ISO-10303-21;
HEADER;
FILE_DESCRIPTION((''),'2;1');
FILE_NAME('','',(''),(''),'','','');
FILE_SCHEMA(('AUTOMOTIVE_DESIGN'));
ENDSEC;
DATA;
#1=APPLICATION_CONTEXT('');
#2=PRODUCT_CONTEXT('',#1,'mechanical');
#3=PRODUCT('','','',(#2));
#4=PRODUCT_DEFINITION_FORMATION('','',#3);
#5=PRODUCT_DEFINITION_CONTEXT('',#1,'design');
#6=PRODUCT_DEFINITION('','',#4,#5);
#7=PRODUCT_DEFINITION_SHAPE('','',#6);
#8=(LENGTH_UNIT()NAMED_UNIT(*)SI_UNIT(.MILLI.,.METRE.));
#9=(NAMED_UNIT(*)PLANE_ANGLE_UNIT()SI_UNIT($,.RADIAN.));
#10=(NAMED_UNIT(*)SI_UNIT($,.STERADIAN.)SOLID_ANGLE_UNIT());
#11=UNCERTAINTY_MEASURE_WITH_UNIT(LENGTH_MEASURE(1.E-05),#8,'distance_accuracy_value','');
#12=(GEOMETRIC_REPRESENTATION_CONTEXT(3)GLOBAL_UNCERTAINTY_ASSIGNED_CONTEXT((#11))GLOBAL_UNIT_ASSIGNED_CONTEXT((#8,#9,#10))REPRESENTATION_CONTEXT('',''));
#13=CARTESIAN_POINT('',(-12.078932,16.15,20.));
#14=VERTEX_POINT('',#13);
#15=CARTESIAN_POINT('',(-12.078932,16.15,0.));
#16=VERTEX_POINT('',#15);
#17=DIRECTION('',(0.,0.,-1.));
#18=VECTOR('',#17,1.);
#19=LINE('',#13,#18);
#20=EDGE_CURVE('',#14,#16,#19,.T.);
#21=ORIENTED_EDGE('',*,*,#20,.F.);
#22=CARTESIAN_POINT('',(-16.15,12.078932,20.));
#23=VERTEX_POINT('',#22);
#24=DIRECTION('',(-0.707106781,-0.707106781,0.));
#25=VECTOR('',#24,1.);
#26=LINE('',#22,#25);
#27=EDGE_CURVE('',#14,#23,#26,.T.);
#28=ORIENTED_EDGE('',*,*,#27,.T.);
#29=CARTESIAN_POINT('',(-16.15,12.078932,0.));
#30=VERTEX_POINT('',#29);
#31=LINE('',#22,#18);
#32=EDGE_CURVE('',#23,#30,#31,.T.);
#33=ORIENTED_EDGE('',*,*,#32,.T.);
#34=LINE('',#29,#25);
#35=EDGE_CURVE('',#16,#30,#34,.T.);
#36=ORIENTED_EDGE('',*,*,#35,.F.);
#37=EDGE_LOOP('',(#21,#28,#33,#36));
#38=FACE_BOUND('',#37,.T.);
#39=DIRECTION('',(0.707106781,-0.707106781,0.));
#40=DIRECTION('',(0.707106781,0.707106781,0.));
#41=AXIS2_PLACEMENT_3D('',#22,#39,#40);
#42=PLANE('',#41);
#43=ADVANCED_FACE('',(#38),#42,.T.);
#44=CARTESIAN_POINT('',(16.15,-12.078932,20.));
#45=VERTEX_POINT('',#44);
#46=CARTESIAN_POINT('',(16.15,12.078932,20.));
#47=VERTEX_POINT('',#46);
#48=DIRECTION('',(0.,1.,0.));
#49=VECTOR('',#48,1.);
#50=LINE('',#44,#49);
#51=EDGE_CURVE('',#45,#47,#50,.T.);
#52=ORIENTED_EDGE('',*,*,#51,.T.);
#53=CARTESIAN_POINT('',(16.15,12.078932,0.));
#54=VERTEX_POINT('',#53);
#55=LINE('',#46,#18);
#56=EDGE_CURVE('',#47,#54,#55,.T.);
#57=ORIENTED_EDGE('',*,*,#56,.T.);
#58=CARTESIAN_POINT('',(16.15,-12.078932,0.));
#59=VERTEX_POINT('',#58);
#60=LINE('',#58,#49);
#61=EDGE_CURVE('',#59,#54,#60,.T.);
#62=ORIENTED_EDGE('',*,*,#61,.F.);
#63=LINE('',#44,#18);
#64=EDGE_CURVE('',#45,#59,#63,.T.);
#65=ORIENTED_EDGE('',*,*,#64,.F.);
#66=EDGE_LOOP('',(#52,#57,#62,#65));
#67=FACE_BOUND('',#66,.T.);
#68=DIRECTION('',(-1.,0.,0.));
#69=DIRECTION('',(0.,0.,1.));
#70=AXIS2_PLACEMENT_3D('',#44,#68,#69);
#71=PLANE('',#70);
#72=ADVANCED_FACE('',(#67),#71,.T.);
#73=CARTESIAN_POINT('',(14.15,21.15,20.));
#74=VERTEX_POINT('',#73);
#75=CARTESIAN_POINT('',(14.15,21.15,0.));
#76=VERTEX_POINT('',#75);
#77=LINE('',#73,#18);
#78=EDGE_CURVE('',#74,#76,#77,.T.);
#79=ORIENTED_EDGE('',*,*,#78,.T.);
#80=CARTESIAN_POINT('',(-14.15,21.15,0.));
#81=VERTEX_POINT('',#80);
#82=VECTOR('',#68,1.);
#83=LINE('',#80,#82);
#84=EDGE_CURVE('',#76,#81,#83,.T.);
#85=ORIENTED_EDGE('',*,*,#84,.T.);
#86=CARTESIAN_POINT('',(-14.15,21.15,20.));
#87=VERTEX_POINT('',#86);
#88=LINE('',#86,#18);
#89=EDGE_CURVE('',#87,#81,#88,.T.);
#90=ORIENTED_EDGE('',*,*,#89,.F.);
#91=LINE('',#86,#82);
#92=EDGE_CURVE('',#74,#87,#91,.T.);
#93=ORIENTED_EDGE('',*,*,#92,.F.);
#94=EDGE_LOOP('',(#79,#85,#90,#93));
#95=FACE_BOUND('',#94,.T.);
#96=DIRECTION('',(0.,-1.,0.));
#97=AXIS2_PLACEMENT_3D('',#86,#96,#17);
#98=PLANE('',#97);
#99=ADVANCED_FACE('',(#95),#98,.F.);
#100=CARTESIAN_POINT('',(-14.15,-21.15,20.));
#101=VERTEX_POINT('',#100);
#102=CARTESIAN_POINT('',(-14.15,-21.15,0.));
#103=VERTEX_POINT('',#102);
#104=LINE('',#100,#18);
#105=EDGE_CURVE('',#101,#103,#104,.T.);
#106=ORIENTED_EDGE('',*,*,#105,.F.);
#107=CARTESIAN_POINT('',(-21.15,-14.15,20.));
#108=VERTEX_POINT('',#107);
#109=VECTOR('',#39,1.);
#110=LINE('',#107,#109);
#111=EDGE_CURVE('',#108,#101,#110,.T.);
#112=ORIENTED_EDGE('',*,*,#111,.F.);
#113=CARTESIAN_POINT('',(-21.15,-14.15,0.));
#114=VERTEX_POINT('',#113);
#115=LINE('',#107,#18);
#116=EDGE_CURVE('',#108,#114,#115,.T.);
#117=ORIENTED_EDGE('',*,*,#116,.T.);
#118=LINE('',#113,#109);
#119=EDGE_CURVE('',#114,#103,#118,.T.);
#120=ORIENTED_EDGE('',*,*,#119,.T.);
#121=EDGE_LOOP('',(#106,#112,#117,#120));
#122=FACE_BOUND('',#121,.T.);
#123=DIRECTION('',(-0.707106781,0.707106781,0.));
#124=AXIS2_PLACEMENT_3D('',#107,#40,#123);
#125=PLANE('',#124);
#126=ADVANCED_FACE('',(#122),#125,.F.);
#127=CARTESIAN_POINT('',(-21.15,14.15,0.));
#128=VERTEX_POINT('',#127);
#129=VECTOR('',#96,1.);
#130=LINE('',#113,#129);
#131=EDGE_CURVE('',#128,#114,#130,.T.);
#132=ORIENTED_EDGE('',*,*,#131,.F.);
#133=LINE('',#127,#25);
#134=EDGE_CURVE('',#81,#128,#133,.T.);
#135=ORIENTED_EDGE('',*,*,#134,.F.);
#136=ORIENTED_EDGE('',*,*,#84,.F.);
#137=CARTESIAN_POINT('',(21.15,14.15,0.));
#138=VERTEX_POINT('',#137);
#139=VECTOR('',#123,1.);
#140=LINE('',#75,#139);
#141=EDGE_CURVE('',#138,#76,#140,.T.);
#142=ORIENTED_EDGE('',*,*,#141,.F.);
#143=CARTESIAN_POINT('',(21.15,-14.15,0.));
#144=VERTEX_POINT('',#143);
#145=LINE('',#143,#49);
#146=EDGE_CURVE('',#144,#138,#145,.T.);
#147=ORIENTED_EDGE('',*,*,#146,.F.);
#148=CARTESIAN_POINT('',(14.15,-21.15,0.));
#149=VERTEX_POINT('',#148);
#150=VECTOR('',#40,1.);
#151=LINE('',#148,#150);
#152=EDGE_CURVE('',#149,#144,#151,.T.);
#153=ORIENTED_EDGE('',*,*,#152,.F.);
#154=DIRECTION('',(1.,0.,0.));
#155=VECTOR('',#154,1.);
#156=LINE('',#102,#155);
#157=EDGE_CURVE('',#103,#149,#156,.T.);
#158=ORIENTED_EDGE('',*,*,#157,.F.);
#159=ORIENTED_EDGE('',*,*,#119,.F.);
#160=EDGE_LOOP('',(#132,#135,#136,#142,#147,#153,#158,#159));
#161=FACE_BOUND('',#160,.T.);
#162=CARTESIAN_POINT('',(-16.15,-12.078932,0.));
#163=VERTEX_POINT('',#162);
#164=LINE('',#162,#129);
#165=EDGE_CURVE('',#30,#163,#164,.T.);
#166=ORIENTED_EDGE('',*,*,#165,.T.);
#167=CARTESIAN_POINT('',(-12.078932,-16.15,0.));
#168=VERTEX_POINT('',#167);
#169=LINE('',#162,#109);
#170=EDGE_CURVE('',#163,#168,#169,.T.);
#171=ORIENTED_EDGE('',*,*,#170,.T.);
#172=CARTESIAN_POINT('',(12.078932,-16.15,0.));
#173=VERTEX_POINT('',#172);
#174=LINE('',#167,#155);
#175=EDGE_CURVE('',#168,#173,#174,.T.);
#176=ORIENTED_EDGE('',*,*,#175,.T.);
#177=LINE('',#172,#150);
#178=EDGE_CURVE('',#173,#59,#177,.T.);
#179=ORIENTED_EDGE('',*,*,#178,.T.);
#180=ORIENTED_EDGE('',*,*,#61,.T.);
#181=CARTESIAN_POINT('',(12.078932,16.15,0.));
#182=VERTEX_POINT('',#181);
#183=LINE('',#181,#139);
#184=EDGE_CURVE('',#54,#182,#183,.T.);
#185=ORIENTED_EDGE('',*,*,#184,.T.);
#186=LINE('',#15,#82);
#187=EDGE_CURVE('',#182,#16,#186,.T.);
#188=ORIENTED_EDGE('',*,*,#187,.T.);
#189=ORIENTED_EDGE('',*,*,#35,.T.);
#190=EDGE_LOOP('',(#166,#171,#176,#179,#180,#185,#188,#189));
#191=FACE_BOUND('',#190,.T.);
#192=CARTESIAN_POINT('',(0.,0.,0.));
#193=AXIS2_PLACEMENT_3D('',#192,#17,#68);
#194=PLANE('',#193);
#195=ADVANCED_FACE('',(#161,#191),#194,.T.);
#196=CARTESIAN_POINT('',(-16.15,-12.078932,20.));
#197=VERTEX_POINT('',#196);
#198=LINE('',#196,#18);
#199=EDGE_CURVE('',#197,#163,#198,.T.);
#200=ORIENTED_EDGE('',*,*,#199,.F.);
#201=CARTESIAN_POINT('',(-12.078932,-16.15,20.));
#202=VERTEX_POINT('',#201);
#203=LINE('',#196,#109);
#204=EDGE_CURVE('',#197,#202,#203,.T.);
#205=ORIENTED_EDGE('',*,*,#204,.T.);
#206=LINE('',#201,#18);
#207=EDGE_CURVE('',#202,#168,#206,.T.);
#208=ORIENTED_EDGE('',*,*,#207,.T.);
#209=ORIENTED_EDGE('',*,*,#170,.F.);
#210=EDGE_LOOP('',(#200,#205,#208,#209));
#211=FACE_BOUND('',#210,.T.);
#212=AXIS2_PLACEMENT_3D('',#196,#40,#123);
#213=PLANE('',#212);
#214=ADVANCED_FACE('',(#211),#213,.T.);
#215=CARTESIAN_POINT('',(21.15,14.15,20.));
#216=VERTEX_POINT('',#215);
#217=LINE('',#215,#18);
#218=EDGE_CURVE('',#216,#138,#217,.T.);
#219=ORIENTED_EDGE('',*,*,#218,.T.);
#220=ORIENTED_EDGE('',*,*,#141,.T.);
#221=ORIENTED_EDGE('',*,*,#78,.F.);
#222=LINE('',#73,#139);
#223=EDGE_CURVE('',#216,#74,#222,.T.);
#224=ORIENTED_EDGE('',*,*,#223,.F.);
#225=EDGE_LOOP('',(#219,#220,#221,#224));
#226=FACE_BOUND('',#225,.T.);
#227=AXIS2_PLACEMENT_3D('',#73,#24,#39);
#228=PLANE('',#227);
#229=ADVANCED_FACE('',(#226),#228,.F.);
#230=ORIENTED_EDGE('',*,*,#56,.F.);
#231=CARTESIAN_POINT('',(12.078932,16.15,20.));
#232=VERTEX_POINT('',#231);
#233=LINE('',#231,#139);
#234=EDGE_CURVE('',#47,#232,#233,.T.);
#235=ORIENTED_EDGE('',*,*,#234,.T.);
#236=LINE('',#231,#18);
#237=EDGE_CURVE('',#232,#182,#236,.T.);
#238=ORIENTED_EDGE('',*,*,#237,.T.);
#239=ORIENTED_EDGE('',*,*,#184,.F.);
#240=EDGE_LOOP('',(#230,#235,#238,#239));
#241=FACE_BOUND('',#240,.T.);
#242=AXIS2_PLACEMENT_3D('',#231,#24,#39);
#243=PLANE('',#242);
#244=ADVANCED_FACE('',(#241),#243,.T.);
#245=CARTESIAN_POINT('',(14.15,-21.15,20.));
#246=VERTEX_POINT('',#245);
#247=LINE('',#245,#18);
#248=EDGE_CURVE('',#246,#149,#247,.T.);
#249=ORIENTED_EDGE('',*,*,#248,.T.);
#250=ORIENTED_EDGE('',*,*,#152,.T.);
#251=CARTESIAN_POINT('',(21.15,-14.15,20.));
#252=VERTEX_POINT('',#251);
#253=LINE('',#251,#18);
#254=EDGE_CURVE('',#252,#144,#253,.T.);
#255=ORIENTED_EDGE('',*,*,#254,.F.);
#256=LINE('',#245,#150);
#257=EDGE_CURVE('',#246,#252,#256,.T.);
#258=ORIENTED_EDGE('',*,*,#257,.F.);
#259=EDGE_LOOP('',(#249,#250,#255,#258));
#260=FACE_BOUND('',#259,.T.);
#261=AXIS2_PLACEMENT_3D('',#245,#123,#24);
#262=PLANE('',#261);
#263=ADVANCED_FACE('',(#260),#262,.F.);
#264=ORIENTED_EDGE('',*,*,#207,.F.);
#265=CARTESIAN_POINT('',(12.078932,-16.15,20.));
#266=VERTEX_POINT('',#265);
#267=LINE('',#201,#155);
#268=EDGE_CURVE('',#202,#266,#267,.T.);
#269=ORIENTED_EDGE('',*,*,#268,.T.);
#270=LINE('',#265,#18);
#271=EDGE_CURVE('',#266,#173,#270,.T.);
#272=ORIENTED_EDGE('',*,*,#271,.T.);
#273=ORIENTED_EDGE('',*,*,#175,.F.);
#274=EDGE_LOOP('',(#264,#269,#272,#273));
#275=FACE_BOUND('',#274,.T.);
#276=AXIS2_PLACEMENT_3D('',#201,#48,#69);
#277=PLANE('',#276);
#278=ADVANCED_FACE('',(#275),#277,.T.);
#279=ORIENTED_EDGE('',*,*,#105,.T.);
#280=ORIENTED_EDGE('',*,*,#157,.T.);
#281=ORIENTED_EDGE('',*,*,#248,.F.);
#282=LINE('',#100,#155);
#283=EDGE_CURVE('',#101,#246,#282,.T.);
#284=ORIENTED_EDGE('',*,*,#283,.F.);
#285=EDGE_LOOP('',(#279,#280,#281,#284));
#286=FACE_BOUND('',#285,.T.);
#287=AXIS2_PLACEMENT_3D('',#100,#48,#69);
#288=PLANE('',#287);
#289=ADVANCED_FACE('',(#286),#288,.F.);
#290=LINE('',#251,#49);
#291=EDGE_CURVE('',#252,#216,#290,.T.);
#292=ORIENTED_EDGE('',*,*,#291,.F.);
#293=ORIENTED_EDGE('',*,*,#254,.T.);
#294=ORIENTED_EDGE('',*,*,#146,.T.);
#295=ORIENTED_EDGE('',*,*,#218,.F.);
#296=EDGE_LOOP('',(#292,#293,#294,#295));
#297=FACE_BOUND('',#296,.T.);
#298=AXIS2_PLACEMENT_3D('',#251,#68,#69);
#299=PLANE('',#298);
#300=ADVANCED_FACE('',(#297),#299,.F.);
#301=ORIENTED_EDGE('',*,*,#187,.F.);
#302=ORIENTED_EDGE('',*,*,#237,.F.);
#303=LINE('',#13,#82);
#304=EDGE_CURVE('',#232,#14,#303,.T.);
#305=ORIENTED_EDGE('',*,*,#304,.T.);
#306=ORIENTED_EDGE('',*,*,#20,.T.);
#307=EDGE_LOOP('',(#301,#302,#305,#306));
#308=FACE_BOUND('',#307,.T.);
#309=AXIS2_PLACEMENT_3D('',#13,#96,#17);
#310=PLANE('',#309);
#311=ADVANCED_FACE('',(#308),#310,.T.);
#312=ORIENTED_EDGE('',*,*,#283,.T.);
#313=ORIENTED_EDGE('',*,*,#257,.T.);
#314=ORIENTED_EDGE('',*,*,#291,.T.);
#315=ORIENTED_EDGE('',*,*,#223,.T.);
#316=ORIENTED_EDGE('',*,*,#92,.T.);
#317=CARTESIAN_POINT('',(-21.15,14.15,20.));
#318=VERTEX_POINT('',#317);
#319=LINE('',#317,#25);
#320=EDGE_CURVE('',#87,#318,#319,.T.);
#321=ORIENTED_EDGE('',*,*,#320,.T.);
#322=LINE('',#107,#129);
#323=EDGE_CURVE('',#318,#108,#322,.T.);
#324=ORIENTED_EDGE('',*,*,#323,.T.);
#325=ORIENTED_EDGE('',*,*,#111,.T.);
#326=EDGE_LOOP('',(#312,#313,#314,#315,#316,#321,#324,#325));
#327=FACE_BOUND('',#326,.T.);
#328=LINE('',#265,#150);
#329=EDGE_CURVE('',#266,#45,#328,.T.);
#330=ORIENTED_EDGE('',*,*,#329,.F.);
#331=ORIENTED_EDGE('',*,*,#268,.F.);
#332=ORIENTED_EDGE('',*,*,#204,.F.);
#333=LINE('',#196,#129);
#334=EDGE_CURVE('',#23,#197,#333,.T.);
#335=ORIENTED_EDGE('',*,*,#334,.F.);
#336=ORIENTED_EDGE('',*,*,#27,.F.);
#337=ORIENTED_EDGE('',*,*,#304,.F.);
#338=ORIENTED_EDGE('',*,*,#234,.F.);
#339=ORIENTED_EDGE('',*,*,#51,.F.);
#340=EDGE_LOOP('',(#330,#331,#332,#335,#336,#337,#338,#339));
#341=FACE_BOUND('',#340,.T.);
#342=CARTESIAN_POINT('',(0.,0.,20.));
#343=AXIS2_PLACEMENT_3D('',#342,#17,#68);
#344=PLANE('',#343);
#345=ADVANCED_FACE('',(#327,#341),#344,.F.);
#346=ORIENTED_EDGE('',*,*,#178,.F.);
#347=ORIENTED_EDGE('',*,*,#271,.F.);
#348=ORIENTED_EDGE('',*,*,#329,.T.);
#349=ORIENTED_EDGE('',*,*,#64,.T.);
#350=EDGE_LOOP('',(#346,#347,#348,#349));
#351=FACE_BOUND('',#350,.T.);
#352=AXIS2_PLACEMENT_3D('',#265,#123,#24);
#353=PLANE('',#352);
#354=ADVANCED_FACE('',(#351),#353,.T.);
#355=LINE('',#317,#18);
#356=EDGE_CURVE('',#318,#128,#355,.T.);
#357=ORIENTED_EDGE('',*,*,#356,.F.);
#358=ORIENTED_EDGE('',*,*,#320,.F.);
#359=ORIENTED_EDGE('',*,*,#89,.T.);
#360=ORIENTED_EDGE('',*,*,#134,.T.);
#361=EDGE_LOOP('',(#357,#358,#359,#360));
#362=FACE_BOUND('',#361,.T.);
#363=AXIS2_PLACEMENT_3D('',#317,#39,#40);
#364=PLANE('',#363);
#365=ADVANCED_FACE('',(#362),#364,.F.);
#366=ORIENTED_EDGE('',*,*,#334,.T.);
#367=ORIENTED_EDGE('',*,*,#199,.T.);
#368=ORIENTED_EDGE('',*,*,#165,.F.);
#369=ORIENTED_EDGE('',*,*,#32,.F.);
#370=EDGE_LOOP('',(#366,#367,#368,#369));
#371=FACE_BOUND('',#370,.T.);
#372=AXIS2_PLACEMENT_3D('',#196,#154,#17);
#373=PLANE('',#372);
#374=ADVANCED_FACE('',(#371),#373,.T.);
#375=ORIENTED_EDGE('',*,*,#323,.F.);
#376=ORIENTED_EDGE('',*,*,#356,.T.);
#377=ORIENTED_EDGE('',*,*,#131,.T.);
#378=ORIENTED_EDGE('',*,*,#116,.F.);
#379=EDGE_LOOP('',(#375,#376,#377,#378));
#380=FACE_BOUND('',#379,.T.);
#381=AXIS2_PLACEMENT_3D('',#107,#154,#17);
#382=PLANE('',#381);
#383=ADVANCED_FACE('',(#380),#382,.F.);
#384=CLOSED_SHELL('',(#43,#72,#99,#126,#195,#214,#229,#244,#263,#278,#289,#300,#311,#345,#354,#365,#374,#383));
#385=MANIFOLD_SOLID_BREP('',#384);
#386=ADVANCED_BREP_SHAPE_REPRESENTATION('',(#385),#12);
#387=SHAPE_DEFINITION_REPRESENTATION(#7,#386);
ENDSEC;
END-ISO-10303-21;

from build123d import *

# Parameters (mm, degrees)
ESTRUSIONE_ESTRUSIONE1_DEPTH = 20


with BuildPart() as part:
    # Schizzo1 → Estrusione-Estrusione1 (new body)
    with BuildSketch(Plane.XY):
        Polygon((-21.15, 14.15), (-14.15, 21.15), (14.15, 21.15), (21.15, 14.15), (21.15, -14.15), (14.15, -21.15), (-14.15, -21.15), (-21.15, -14.15), align=None)
        Polygon((-12.078932188, 16.15), (12.078932188, 16.15), (16.15, 12.078932188), (16.15, -12.078932188), (12.078932188, -16.15), (-12.078932188, -16.15), (-16.15, -12.078932188), (-16.15, 12.078932188), align=None, mode=Mode.SUBTRACT)
    extrude(amount=ESTRUSIONE_ESTRUSIONE1_DEPTH)


solid = part.part
